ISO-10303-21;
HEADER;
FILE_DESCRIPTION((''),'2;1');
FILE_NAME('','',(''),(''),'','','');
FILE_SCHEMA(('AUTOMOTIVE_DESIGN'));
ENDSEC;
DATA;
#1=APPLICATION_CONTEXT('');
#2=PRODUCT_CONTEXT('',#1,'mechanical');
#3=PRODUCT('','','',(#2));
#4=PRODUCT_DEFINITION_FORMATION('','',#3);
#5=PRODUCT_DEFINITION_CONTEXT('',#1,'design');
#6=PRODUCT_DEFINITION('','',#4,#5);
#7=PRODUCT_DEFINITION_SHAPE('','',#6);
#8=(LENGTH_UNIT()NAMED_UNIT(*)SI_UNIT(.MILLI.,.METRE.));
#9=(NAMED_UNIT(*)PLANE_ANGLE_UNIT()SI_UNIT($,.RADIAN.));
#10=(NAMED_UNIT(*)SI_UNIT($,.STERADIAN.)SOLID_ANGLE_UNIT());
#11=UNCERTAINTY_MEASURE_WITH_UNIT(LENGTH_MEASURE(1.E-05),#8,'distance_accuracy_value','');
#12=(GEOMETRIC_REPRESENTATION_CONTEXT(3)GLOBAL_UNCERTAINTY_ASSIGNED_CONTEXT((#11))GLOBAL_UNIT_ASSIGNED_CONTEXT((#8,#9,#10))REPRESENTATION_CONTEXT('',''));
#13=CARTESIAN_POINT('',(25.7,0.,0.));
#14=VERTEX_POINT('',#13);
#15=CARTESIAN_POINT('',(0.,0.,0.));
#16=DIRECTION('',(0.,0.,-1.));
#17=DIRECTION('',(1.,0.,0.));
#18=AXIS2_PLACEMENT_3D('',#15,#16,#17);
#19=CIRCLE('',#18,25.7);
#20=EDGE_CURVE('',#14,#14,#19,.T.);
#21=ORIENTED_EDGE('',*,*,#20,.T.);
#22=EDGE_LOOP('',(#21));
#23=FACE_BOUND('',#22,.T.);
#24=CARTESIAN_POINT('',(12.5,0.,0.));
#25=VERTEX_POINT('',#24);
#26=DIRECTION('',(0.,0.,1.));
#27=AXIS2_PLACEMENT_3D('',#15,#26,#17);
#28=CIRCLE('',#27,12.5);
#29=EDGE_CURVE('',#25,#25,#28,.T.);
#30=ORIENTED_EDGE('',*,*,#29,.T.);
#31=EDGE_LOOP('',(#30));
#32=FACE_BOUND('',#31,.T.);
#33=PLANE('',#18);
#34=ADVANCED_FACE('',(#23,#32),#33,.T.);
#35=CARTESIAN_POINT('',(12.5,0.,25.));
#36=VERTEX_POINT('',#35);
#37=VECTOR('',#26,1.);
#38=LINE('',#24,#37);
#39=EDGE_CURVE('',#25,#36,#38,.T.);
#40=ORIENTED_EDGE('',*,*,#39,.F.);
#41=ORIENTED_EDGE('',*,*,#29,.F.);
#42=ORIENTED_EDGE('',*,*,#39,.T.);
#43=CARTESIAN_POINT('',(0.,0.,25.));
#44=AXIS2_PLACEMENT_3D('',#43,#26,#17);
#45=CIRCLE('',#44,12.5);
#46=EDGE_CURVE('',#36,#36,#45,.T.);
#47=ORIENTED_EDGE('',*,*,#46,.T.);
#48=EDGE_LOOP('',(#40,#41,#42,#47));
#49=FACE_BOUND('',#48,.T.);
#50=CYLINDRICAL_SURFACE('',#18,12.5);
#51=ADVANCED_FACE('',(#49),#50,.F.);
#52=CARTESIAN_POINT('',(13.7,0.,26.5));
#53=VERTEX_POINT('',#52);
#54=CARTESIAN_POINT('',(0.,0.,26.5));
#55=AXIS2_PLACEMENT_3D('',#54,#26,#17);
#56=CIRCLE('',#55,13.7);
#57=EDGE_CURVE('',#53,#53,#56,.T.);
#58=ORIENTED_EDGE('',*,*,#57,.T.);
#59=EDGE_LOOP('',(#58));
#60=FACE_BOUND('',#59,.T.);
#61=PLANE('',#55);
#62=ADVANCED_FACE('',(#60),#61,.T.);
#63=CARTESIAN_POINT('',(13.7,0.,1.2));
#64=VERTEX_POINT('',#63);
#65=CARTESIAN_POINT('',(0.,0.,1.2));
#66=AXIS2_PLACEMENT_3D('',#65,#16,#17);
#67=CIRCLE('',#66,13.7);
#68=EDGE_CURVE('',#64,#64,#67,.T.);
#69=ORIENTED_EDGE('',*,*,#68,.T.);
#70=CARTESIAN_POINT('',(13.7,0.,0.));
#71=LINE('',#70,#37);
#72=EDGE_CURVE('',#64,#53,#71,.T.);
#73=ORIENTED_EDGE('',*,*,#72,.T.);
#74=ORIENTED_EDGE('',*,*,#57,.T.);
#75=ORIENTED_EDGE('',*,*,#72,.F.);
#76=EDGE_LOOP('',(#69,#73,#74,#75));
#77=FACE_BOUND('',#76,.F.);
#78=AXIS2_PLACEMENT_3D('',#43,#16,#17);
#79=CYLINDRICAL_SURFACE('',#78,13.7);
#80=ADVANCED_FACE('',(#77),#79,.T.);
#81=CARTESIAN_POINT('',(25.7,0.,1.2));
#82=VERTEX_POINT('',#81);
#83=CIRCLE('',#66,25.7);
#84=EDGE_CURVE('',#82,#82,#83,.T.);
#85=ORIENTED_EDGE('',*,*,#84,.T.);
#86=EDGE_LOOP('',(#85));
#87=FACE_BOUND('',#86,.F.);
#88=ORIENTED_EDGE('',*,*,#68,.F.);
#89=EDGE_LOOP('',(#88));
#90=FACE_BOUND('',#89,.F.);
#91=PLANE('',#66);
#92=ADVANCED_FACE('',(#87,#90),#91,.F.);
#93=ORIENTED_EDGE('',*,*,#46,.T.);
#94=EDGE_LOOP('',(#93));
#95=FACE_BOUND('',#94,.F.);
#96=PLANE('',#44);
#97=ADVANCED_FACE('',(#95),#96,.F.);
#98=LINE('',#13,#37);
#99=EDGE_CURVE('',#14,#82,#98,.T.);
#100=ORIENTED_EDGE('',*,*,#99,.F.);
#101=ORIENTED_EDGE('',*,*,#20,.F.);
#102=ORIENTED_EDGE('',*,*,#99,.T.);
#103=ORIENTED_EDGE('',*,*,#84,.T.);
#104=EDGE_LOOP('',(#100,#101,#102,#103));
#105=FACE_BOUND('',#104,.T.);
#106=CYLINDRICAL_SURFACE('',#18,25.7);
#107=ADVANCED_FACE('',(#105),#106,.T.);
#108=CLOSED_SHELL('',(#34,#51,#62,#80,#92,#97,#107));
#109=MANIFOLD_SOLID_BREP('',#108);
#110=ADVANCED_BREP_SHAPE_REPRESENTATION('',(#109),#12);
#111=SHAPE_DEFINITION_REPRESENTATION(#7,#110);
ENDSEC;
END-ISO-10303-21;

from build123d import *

# Parameters (mm, degrees)
F0_R     = 13.7
F0_R_2   = 12.5
F1_DEPTH = 25
F2_R     = 13.7
F3_DEPTH = 1.5
F4_R     = 25.7
F4_R_2   = 13.7
F5_DEPTH = 1.2


with BuildPart() as f1:
    # F0 (on Top) → F1 (new body)
    with BuildSketch(Plane.XY):
        Circle(F0_R)
        Circle(F0_R_2, mode=Mode.SUBTRACT)
    extrude(amount=F1_DEPTH)

    # F2 (on face) → F3 (join)
    with BuildSketch(Plane.XY.offset(25)):
        Circle(F2_R)
    extrude(amount=F3_DEPTH)

    # F4 (on face) → F5 (join)
    with BuildSketch(Plane(origin=(0, 0, 0), x_dir=(1, 0, 0), z_dir=(0, 0, -1))):
        Circle(F4_R)
        Circle(F4_R_2, mode=Mode.SUBTRACT)
    extrude(amount=-F5_DEPTH)


solid = f1.part
